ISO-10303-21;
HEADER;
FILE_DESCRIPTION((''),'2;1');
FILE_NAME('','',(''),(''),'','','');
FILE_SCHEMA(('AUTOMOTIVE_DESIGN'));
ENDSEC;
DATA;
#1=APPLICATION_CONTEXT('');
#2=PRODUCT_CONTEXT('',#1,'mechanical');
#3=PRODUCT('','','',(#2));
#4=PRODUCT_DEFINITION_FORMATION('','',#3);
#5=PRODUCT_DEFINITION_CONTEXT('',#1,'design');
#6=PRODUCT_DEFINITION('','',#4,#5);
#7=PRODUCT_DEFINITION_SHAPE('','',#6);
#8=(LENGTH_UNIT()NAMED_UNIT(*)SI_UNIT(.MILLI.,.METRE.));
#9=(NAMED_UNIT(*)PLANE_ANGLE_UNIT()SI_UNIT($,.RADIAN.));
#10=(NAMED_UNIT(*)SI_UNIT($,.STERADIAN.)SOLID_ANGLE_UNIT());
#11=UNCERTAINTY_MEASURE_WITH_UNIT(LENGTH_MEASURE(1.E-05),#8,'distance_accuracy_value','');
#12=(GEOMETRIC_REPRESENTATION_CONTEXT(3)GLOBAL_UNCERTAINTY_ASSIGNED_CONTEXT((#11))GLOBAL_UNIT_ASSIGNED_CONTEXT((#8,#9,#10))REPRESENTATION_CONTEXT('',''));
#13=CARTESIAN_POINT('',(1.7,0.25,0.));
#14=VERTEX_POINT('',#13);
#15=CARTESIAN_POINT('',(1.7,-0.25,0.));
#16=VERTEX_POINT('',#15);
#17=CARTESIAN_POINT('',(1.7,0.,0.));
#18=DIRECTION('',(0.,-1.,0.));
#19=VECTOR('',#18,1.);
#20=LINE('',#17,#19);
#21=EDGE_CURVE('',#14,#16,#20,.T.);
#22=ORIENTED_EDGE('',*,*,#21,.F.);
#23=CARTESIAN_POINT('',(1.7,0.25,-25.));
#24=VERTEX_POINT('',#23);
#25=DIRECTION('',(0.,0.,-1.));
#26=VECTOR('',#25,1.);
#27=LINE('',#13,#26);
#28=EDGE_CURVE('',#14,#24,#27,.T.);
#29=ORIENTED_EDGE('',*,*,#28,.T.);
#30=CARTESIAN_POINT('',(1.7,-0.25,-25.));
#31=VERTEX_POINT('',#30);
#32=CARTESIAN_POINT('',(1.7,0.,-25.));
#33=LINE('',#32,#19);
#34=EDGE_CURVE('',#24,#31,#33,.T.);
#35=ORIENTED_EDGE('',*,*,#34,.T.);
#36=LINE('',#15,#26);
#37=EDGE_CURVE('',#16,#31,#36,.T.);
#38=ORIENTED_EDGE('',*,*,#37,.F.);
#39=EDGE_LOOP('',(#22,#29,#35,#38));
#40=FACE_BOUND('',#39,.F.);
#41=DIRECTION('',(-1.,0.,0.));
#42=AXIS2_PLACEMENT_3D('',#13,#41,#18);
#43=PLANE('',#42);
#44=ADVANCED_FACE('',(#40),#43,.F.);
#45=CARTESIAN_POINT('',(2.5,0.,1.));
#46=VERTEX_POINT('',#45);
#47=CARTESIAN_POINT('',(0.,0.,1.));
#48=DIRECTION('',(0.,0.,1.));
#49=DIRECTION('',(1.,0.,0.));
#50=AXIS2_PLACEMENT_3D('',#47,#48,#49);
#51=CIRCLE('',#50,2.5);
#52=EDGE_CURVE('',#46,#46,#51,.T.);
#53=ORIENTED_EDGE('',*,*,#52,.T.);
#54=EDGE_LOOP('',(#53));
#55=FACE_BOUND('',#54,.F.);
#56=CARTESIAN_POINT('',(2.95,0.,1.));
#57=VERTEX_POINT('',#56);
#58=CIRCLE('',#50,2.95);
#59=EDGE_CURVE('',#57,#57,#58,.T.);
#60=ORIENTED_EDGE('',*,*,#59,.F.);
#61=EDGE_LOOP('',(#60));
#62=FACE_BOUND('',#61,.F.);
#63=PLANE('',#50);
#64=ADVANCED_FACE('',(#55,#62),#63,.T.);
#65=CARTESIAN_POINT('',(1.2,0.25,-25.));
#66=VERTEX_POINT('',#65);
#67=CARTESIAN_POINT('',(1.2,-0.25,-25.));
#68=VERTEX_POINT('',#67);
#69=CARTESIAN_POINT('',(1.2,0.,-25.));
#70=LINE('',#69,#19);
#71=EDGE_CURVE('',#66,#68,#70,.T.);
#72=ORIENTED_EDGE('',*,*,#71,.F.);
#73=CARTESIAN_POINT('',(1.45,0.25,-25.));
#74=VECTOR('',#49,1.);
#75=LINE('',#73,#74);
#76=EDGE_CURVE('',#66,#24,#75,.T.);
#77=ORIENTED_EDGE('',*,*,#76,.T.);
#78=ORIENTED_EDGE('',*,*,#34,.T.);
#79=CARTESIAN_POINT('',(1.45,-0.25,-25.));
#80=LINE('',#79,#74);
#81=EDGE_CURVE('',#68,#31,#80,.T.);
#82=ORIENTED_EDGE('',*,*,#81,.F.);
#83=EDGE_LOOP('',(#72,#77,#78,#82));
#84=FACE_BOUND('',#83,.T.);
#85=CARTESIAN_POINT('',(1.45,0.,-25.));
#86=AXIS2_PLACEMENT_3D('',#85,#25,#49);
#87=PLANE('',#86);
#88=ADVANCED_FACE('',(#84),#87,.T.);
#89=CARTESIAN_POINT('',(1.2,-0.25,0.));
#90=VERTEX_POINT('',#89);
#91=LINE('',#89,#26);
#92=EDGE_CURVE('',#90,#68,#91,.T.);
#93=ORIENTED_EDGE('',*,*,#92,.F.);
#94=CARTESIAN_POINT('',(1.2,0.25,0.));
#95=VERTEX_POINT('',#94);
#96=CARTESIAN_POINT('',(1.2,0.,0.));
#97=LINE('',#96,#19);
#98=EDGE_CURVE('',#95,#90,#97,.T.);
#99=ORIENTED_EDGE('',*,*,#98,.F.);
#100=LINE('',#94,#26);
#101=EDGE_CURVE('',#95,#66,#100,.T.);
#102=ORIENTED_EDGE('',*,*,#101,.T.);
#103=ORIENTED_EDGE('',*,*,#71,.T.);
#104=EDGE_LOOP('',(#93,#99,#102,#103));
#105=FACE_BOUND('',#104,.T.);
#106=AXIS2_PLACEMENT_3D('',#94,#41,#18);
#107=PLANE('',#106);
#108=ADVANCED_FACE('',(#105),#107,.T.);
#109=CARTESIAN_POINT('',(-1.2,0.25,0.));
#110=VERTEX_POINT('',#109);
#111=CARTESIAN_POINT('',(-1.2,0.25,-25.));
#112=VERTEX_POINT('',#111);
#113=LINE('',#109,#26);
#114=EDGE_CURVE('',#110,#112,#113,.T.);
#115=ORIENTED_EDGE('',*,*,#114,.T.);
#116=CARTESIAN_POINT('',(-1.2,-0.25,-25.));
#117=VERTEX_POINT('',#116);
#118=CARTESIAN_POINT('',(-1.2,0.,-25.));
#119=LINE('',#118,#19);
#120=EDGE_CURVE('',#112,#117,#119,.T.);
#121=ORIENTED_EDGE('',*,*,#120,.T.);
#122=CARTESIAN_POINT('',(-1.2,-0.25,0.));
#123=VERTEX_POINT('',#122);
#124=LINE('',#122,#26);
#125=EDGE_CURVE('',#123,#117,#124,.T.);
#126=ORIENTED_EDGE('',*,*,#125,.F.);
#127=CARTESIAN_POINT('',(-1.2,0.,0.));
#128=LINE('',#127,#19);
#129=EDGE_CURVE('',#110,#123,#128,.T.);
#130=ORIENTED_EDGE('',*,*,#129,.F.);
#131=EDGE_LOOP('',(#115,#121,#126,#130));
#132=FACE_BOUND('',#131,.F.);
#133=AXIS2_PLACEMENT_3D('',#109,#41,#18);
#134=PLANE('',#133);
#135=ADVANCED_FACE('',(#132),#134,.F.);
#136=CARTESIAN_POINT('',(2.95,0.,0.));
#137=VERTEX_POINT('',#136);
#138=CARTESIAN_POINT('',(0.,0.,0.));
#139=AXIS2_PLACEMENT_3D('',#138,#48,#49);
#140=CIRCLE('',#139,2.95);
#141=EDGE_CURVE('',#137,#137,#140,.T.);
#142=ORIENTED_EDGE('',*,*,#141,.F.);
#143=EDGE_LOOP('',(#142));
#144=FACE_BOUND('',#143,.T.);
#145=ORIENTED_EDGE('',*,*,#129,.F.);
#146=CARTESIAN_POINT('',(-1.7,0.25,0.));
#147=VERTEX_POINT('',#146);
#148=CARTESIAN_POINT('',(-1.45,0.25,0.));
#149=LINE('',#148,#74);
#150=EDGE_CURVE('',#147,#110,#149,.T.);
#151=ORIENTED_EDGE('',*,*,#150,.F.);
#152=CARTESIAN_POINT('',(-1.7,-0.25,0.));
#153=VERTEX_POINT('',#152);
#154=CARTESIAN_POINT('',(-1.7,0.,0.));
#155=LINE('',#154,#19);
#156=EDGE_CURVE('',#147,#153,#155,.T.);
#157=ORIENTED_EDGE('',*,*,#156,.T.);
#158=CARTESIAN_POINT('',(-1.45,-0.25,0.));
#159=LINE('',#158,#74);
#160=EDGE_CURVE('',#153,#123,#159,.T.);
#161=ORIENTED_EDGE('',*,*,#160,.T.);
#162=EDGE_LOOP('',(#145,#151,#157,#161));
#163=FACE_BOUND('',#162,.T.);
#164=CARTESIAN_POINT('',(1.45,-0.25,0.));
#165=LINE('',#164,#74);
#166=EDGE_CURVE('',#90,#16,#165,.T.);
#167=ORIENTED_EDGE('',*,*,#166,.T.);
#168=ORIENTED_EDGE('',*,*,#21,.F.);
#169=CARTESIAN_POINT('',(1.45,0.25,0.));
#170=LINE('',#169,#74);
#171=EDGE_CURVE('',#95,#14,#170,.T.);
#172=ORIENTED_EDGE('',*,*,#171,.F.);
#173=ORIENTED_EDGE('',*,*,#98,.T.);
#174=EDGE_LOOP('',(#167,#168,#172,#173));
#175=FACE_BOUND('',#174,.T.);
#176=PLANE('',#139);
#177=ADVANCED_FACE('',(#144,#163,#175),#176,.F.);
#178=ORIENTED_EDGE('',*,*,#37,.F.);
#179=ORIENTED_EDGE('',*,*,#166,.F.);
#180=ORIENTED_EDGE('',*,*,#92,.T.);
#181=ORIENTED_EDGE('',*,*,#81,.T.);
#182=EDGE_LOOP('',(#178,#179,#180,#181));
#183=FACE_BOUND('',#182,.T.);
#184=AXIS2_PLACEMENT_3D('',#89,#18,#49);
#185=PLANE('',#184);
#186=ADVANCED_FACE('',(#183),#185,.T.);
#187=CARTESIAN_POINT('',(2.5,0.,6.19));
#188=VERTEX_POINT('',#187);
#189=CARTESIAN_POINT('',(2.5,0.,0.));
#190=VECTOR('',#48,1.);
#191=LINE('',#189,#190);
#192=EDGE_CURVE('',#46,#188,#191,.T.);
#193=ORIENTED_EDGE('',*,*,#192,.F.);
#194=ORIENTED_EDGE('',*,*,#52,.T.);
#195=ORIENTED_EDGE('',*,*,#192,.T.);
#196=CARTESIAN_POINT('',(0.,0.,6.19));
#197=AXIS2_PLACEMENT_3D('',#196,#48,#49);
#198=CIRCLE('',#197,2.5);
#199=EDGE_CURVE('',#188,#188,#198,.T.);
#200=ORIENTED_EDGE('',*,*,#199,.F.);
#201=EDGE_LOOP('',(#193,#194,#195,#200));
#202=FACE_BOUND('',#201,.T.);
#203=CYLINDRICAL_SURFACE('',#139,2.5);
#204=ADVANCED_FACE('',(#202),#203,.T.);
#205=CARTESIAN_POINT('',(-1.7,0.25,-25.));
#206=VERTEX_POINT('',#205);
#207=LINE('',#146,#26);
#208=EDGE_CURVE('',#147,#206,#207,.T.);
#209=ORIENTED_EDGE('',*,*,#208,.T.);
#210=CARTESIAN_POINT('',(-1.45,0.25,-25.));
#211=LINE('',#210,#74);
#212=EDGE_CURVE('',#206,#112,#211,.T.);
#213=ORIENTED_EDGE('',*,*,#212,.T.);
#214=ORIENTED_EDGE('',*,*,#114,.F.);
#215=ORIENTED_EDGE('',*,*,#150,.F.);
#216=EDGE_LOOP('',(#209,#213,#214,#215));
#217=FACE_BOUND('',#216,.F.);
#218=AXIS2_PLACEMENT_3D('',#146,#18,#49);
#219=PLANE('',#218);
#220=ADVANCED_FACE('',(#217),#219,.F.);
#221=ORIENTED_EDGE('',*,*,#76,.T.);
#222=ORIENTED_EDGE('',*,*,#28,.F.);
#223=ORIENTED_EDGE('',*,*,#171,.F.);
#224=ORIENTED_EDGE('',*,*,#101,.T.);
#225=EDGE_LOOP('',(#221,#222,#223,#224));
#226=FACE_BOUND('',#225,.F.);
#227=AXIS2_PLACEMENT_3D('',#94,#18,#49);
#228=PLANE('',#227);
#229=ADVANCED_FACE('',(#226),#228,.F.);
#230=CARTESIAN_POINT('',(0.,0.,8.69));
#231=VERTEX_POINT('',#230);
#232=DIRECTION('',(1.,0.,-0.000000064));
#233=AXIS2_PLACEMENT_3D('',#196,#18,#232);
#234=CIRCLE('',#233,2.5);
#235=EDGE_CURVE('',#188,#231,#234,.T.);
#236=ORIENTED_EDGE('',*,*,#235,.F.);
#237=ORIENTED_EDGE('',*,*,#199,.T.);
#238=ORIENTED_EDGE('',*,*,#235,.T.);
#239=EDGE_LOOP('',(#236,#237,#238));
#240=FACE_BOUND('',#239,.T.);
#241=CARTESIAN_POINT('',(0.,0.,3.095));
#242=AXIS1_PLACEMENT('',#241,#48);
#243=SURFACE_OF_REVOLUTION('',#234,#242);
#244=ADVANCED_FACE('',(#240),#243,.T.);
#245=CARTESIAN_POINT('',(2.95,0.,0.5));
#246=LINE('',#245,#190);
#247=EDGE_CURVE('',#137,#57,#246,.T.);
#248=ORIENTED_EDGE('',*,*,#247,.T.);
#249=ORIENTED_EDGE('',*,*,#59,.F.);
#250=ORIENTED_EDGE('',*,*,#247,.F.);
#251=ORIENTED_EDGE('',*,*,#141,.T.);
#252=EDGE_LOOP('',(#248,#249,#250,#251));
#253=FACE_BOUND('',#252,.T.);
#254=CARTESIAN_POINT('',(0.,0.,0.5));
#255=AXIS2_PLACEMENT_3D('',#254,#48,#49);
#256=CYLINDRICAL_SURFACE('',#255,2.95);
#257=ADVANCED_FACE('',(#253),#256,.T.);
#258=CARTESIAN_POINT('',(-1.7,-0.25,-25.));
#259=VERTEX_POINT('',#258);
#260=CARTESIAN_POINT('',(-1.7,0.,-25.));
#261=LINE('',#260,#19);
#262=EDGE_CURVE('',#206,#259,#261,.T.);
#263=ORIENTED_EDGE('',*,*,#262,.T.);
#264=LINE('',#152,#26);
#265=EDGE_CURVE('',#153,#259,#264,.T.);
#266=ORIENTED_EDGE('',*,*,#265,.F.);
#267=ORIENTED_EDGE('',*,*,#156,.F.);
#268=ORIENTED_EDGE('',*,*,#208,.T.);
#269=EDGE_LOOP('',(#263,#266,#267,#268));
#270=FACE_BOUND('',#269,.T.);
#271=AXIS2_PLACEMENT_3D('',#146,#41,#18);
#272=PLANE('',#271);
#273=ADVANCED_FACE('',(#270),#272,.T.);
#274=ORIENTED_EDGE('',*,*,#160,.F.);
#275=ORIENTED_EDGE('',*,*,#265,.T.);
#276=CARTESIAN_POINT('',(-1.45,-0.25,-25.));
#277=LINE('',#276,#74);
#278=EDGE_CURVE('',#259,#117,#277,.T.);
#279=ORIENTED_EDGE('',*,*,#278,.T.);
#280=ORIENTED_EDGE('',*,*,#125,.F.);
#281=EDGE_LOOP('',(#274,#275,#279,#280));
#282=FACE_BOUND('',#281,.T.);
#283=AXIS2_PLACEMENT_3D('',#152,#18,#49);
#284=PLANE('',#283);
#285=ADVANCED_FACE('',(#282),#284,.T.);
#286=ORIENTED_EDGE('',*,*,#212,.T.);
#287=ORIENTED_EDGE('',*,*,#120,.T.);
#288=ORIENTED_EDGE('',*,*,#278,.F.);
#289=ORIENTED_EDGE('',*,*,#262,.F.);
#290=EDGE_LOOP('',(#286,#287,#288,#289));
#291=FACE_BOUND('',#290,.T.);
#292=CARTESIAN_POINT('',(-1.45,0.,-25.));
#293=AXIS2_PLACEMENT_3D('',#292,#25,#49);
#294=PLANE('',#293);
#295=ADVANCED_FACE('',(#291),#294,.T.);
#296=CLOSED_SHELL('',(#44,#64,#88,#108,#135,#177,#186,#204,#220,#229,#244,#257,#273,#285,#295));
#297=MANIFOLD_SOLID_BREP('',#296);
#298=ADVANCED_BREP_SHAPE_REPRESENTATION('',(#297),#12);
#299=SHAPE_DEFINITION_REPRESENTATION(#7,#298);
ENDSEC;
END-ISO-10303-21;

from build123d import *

# Parameters (mm, degrees)
F0_W     = 2.5
F0_H     = 1
F0_W_2   = 0.45
F2_W     = 0.5
F2_H     = 0.5
F3_DEPTH = 25


with BuildPart() as f1:
    # F0 (on Front) → F1 (revolve)
    with BuildSketch(Plane.XZ):
        with Locations((1.25, 0.5)):
            Rectangle(F0_W, F0_H)
        with BuildLine():
            Line((0, 3.69), (0, 1))
            Line((0, 1), (2.5, 1))
            Line((2.5, 1), (2.5, 6.19))
            ThreePointArc((2.5, 6.19), (1.767767, 4.422233), (0, 3.69))
        make_face()
        with Locations((2.725, 0.5)):
            Rectangle(F0_W_2, F0_H)
        with BuildLine():
            Line((0, 6.19), (0, 3.69))
            ThreePointArc((0, 3.69), (1.767767, 4.422233), (2.5, 6.19))
            Line((2.5, 6.19), (0, 6.19))
        make_face()
        with BuildLine():
            Line((0, 8.69), (0, 6.19))
            Line((0, 6.19), (2.5, 6.19))
            ThreePointArc((2.5, 6.19), (1.767767, 7.957767), (0, 8.69))
        make_face()
    revolve(axis=Axis((0, 0, 3.095), (0, 0, 1)))

    # F2 (on face) → F3 (join)
    with BuildSketch(Plane(origin=(0, 0, 0), x_dir=(1, 0, 0), z_dir=(0, 0, -1))):
        with Locations((-1.45, 0)):
            Rectangle(F2_W, F2_H)
        with Locations((1.45, 0)):
            Rectangle(F2_W, F2_H)
    extrude(amount=F3_DEPTH)


solid = f1.part
